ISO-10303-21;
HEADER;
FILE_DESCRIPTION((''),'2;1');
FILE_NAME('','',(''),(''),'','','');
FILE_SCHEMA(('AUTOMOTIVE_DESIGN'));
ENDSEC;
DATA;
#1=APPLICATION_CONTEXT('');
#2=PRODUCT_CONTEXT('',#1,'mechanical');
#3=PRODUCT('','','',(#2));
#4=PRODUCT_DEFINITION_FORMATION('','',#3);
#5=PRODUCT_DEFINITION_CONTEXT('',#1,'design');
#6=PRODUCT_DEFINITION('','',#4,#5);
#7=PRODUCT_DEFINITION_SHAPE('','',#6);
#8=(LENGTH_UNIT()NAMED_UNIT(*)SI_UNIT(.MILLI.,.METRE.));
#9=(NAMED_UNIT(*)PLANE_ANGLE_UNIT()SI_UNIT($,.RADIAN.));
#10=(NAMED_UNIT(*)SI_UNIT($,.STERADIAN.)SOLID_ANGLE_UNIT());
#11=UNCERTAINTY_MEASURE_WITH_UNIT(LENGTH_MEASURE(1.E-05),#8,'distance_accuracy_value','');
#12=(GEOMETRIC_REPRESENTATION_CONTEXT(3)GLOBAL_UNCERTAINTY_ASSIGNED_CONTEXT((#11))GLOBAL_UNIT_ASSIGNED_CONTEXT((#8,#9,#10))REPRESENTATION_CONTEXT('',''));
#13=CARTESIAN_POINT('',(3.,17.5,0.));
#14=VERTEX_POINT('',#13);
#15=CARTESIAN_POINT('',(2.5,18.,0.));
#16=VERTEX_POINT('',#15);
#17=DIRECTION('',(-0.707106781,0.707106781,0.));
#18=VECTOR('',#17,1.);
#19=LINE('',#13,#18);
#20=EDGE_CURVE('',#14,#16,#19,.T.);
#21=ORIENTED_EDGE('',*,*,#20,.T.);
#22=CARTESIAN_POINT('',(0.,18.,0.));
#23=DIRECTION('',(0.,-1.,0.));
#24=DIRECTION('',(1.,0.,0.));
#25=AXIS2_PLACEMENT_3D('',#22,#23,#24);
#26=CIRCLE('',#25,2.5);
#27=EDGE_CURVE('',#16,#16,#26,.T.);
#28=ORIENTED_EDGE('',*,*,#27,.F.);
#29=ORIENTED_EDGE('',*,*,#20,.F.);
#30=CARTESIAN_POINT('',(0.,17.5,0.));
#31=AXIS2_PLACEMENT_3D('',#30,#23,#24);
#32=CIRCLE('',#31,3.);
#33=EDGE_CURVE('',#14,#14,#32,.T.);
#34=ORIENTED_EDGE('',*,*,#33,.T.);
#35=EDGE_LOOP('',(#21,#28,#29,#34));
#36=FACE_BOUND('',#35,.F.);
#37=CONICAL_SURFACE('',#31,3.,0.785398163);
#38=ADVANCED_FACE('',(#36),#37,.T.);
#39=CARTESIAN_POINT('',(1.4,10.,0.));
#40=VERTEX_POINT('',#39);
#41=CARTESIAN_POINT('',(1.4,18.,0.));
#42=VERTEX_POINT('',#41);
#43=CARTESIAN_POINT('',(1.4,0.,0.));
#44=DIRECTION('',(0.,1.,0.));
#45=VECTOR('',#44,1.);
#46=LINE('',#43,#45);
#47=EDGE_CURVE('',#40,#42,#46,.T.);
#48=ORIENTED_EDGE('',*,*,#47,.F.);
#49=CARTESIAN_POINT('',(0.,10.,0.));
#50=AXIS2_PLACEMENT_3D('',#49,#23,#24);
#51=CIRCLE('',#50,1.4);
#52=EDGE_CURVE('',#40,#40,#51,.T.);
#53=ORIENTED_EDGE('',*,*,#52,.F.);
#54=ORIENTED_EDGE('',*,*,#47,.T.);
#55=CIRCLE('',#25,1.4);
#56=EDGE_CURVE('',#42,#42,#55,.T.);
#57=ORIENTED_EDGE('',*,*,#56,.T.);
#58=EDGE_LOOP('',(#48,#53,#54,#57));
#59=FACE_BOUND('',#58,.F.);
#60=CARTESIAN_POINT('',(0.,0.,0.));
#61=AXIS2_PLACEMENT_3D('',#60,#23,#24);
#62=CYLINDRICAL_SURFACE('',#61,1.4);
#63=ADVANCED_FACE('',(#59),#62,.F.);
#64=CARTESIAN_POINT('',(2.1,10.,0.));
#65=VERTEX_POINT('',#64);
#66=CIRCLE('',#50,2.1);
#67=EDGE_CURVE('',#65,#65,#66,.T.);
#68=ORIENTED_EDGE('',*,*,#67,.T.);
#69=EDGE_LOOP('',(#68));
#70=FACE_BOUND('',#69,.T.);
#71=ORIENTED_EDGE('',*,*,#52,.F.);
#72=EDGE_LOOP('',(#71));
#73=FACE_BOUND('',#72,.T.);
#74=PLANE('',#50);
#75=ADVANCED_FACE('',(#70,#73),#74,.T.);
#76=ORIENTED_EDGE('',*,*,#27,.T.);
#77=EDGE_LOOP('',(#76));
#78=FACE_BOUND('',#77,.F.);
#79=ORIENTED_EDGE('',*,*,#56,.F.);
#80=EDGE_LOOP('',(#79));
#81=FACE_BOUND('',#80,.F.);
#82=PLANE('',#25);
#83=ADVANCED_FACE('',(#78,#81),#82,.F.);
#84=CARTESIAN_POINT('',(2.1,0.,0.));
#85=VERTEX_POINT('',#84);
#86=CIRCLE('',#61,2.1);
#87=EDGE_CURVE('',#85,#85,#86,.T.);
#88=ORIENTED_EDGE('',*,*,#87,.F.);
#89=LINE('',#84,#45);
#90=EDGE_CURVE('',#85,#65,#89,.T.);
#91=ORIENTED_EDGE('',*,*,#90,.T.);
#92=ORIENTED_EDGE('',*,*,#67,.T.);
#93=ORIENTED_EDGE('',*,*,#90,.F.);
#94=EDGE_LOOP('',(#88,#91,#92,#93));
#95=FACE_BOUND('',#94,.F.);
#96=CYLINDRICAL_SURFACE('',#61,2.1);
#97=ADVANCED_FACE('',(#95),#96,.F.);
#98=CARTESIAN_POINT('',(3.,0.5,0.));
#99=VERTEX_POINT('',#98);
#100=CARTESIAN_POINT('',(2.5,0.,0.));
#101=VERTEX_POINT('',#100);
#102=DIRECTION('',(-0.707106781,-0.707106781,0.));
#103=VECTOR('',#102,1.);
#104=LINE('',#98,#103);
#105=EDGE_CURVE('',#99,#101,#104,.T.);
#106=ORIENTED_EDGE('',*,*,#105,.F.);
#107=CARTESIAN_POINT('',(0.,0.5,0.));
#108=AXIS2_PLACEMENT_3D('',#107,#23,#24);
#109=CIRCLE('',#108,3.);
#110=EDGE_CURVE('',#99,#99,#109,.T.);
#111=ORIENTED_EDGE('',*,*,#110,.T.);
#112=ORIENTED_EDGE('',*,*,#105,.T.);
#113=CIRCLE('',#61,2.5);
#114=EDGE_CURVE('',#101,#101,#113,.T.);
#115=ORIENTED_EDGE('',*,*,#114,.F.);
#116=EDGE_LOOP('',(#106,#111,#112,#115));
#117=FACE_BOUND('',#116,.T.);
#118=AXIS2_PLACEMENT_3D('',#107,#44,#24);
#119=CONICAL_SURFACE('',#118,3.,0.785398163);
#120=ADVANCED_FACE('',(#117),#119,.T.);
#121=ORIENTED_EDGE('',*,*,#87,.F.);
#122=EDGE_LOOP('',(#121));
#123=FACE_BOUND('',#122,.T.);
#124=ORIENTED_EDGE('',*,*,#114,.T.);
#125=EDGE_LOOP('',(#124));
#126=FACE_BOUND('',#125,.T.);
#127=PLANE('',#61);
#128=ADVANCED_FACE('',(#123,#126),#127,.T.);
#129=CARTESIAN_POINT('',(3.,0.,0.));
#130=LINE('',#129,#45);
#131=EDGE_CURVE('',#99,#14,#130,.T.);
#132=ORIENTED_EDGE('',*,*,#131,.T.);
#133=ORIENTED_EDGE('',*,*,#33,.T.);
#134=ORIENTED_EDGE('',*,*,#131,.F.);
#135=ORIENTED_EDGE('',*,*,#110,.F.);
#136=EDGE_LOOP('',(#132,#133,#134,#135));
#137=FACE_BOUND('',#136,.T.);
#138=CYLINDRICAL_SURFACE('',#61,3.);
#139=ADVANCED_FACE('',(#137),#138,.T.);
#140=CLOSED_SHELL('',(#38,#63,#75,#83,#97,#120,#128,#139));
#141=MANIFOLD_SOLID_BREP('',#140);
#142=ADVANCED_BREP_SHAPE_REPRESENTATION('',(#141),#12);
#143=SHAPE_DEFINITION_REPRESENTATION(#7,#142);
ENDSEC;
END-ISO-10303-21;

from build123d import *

# Parameters (mm, degrees)
F0_R     = 3
F1_DEPTH = 18
F2_R     = 2.1
F3_DEPTH = 10
F4_R     = 1.4
F5_DEPTH = 18.001
F6_SIZE  = 0.5
F7_SIZE  = 0.5


with BuildPart() as f1:
    # F0 (on Front) → F1 (new body)
    with BuildSketch(Plane.XZ):
        Circle(F0_R)
    extrude(amount=-F1_DEPTH)

    # F2 (on face) → F3 (cut)
    with BuildSketch(Plane.XZ):
        Circle(F2_R)
    extrude(amount=-F3_DEPTH, mode=Mode.SUBTRACT)

    # F4 (on Front) → F5 (cut, through all)
    with BuildSketch(Plane.XZ):
        Circle(F4_R)
    extrude(amount=-F5_DEPTH, mode=Mode.SUBTRACT)

    # F6
    f6_edges = [f1.edges().sort_by_distance(p)[0] for p in [
        (-3, 0, 0),
    ]]
    chamfer(f6_edges, length=F6_SIZE)

    # F7
    f7_edges = [f1.edges().sort_by_distance(p)[0] for p in [
        (-3, 18, 0),
    ]]
    chamfer(f7_edges, length=F7_SIZE)


solid = f1.part
